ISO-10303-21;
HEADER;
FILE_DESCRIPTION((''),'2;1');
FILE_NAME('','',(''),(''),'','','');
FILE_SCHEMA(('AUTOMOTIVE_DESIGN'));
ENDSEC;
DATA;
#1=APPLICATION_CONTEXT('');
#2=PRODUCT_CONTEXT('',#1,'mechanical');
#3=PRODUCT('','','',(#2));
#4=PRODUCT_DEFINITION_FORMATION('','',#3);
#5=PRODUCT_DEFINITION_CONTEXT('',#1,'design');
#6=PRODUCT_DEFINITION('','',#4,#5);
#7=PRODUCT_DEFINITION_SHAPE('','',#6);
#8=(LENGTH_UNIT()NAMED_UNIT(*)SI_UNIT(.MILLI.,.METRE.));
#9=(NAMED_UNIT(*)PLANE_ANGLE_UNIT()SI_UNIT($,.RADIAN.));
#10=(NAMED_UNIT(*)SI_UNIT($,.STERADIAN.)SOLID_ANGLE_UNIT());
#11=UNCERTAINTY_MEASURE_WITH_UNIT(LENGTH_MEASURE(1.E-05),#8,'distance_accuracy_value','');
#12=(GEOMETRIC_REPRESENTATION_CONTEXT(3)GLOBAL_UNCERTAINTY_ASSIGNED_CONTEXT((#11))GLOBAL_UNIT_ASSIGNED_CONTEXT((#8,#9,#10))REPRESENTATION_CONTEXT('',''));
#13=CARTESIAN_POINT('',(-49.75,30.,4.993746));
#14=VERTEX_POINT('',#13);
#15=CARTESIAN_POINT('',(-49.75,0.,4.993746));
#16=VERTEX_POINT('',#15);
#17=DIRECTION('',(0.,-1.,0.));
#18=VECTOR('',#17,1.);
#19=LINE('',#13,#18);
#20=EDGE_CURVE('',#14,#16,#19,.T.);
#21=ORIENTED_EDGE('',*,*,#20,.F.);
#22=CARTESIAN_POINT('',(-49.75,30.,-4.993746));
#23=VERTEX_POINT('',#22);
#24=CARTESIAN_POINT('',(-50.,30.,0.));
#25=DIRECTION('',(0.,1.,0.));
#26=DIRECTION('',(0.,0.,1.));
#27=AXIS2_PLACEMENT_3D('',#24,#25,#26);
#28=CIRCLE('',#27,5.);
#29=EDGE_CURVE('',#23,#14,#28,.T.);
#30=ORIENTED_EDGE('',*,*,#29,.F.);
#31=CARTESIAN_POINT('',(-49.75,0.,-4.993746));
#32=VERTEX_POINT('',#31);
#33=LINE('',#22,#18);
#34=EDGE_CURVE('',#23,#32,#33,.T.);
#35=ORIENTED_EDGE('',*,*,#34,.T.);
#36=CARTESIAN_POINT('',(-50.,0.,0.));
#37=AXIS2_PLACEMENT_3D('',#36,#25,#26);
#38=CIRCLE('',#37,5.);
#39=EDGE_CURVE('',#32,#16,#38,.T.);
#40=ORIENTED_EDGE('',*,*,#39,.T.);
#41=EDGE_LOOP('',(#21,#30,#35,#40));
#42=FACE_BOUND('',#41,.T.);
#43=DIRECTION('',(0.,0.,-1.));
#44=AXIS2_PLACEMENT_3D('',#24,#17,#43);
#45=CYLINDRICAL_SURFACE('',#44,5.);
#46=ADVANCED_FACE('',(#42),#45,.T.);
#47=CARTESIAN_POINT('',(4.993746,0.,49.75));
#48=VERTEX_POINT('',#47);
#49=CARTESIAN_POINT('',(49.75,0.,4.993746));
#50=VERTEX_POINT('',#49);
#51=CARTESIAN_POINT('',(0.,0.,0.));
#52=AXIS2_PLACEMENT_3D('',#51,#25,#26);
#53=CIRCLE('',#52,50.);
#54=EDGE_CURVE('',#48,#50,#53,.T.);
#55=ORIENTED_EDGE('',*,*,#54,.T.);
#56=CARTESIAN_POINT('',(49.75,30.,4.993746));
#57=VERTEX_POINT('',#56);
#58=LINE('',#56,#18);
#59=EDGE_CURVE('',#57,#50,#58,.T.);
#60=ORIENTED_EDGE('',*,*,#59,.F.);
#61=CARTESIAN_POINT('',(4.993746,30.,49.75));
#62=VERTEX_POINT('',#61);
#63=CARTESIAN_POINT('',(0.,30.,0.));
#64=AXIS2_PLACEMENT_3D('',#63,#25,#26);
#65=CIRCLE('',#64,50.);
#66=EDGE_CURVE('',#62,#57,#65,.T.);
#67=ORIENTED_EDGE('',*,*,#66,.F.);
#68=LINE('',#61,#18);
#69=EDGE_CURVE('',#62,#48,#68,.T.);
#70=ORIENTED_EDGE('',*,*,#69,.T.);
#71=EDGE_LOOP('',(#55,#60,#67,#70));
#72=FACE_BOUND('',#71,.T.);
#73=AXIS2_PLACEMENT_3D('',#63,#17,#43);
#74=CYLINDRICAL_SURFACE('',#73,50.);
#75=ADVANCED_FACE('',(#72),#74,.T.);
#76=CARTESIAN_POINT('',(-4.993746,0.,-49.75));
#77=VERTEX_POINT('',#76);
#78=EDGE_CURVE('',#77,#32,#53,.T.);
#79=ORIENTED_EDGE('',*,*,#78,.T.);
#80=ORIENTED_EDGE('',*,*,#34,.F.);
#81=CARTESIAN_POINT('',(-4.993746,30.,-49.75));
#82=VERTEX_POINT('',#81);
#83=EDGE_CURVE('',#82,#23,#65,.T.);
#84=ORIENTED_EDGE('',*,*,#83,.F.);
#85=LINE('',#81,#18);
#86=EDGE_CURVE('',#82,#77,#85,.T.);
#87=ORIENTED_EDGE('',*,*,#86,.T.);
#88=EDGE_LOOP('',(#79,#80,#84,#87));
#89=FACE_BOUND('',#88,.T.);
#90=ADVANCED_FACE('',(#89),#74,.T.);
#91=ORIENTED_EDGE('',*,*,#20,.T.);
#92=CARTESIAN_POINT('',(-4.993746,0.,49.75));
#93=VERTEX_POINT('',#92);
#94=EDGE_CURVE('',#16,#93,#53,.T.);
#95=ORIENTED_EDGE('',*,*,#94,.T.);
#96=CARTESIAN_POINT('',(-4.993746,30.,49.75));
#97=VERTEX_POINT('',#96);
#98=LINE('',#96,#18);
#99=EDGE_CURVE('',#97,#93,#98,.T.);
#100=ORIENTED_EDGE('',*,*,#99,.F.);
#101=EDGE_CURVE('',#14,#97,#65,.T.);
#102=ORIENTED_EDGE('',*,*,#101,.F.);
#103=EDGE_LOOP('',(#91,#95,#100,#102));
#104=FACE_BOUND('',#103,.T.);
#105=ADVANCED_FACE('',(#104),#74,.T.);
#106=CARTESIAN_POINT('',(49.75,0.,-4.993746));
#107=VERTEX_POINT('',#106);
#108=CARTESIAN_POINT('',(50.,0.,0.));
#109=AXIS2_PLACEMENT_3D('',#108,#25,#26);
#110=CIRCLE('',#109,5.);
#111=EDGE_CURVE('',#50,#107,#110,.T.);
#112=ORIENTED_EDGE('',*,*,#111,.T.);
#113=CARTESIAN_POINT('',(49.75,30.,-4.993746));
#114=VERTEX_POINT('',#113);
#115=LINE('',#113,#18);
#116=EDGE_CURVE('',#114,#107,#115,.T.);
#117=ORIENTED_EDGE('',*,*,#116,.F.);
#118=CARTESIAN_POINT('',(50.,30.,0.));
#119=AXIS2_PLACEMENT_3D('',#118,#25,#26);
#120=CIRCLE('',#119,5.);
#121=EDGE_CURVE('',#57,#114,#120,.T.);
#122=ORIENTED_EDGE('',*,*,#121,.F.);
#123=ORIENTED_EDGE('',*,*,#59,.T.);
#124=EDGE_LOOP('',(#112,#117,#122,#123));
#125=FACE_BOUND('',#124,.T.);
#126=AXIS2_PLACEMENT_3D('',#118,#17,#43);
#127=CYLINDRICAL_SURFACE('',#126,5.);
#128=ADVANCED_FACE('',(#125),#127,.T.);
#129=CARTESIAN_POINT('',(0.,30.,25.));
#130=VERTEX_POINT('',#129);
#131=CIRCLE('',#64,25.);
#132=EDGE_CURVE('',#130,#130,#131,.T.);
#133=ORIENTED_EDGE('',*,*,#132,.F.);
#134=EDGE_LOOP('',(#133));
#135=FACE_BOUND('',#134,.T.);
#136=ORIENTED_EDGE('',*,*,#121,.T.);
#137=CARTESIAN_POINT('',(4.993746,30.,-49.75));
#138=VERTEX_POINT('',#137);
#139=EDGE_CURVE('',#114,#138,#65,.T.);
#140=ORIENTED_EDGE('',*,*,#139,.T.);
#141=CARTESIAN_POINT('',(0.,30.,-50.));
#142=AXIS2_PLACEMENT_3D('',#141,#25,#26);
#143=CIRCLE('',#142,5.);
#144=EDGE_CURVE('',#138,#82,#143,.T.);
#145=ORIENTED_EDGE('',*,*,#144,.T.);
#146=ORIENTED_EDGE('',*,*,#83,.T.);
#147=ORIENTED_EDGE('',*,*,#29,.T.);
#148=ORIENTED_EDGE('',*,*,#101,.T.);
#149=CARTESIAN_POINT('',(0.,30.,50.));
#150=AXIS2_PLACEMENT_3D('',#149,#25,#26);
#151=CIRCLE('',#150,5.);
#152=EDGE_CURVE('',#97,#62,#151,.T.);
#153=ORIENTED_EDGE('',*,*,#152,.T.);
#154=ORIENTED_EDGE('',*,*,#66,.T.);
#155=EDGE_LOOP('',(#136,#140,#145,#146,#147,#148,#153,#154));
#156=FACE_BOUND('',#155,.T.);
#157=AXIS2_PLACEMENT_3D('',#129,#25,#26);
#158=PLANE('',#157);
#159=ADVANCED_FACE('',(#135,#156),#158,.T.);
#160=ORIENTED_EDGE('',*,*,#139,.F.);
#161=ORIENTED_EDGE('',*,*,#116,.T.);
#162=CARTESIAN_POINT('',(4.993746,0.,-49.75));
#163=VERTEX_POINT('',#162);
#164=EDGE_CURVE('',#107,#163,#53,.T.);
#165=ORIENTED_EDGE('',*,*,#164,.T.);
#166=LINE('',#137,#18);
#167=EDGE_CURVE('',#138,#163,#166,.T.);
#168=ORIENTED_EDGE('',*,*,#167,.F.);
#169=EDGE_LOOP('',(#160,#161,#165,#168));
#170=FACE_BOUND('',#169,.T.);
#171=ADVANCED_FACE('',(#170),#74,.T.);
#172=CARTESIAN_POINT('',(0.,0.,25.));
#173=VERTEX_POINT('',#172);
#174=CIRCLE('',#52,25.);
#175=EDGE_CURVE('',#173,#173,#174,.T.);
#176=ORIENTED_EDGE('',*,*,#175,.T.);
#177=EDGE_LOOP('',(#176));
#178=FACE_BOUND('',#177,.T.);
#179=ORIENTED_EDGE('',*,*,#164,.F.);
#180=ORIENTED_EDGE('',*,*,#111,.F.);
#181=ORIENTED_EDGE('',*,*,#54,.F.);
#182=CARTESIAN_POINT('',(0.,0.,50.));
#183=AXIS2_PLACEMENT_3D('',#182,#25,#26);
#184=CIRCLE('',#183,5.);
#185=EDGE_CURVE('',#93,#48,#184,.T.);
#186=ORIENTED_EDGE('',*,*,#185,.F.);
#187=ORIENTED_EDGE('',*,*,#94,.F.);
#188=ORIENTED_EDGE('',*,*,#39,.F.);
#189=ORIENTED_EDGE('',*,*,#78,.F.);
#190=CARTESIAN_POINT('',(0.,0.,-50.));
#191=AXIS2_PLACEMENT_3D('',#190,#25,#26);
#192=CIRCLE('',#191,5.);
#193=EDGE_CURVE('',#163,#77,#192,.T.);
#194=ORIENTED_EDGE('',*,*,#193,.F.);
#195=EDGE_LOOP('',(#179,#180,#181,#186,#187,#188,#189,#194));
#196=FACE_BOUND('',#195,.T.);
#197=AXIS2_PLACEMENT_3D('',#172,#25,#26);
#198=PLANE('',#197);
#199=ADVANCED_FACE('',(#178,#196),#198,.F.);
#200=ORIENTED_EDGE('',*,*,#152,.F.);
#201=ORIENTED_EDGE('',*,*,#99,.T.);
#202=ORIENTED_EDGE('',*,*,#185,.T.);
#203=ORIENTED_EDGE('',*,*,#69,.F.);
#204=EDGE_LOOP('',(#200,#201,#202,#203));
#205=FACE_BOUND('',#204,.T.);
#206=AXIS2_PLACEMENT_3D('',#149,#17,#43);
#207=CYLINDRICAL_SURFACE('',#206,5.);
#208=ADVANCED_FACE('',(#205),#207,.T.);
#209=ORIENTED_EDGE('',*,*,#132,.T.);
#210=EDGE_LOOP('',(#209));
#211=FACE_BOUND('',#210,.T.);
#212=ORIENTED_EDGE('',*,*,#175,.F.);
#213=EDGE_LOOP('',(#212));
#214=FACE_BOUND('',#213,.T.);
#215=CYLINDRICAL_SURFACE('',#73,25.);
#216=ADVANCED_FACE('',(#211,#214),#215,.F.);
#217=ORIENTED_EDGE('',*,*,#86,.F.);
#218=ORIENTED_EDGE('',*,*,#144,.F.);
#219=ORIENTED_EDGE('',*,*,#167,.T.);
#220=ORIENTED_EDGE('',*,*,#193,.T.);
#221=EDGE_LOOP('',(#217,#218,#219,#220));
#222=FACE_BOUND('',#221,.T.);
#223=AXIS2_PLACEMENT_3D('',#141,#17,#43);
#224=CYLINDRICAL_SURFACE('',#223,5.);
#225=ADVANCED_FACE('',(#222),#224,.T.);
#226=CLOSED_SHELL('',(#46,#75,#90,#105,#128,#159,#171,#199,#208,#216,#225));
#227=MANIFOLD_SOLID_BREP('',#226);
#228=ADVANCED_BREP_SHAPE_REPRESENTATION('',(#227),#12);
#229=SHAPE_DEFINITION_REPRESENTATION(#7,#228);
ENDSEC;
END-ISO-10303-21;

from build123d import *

# Parameters (mm, degrees)
CROQUIS1_R              = 25
SALIENTE_EXTRUIR1_DEPTH = 30


with BuildPart() as part:
    # Croquis1 → Saliente-Extruir1 (new body)
    with BuildSketch(Plane(origin=(0, 0, 0), x_dir=(1, 0, 0), z_dir=(0, 1, 0))):
        with BuildLine():
            ThreePointArc((-4.993746089, 49.75), (-35.355339059, 35.355339059), (-49.75, 4.993746089))
            ThreePointArc((-49.75, 4.993746089), (-55, 0), (-49.75, -4.993746089))
            ThreePointArc((-49.75, -4.993746089), (-35.355339059, -35.355339059), (-4.993746089, -49.75))
            ThreePointArc((-4.993746089, -49.75), (0, -55), (4.993746089, -49.75))
            ThreePointArc((4.993746089, -49.75), (35.355339059, -35.355339059), (49.75, -4.993746089))
            ThreePointArc((49.75, -4.993746089), (55, 0), (49.75, 4.993746089))
            ThreePointArc((49.75, 4.993746089), (35.355339059, 35.355339059), (4.993746089, 49.75))
            ThreePointArc((4.993746089, 49.75), (0, 55), (-4.993746089, 49.75))
        make_face()
        with Locations(Location((0, 0, 0), (0, 0, 270))):  # turned: the seam where the file's is
            Circle(CROQUIS1_R, mode=Mode.SUBTRACT)
    extrude(amount=SALIENTE_EXTRUIR1_DEPTH)


solid = part.part
